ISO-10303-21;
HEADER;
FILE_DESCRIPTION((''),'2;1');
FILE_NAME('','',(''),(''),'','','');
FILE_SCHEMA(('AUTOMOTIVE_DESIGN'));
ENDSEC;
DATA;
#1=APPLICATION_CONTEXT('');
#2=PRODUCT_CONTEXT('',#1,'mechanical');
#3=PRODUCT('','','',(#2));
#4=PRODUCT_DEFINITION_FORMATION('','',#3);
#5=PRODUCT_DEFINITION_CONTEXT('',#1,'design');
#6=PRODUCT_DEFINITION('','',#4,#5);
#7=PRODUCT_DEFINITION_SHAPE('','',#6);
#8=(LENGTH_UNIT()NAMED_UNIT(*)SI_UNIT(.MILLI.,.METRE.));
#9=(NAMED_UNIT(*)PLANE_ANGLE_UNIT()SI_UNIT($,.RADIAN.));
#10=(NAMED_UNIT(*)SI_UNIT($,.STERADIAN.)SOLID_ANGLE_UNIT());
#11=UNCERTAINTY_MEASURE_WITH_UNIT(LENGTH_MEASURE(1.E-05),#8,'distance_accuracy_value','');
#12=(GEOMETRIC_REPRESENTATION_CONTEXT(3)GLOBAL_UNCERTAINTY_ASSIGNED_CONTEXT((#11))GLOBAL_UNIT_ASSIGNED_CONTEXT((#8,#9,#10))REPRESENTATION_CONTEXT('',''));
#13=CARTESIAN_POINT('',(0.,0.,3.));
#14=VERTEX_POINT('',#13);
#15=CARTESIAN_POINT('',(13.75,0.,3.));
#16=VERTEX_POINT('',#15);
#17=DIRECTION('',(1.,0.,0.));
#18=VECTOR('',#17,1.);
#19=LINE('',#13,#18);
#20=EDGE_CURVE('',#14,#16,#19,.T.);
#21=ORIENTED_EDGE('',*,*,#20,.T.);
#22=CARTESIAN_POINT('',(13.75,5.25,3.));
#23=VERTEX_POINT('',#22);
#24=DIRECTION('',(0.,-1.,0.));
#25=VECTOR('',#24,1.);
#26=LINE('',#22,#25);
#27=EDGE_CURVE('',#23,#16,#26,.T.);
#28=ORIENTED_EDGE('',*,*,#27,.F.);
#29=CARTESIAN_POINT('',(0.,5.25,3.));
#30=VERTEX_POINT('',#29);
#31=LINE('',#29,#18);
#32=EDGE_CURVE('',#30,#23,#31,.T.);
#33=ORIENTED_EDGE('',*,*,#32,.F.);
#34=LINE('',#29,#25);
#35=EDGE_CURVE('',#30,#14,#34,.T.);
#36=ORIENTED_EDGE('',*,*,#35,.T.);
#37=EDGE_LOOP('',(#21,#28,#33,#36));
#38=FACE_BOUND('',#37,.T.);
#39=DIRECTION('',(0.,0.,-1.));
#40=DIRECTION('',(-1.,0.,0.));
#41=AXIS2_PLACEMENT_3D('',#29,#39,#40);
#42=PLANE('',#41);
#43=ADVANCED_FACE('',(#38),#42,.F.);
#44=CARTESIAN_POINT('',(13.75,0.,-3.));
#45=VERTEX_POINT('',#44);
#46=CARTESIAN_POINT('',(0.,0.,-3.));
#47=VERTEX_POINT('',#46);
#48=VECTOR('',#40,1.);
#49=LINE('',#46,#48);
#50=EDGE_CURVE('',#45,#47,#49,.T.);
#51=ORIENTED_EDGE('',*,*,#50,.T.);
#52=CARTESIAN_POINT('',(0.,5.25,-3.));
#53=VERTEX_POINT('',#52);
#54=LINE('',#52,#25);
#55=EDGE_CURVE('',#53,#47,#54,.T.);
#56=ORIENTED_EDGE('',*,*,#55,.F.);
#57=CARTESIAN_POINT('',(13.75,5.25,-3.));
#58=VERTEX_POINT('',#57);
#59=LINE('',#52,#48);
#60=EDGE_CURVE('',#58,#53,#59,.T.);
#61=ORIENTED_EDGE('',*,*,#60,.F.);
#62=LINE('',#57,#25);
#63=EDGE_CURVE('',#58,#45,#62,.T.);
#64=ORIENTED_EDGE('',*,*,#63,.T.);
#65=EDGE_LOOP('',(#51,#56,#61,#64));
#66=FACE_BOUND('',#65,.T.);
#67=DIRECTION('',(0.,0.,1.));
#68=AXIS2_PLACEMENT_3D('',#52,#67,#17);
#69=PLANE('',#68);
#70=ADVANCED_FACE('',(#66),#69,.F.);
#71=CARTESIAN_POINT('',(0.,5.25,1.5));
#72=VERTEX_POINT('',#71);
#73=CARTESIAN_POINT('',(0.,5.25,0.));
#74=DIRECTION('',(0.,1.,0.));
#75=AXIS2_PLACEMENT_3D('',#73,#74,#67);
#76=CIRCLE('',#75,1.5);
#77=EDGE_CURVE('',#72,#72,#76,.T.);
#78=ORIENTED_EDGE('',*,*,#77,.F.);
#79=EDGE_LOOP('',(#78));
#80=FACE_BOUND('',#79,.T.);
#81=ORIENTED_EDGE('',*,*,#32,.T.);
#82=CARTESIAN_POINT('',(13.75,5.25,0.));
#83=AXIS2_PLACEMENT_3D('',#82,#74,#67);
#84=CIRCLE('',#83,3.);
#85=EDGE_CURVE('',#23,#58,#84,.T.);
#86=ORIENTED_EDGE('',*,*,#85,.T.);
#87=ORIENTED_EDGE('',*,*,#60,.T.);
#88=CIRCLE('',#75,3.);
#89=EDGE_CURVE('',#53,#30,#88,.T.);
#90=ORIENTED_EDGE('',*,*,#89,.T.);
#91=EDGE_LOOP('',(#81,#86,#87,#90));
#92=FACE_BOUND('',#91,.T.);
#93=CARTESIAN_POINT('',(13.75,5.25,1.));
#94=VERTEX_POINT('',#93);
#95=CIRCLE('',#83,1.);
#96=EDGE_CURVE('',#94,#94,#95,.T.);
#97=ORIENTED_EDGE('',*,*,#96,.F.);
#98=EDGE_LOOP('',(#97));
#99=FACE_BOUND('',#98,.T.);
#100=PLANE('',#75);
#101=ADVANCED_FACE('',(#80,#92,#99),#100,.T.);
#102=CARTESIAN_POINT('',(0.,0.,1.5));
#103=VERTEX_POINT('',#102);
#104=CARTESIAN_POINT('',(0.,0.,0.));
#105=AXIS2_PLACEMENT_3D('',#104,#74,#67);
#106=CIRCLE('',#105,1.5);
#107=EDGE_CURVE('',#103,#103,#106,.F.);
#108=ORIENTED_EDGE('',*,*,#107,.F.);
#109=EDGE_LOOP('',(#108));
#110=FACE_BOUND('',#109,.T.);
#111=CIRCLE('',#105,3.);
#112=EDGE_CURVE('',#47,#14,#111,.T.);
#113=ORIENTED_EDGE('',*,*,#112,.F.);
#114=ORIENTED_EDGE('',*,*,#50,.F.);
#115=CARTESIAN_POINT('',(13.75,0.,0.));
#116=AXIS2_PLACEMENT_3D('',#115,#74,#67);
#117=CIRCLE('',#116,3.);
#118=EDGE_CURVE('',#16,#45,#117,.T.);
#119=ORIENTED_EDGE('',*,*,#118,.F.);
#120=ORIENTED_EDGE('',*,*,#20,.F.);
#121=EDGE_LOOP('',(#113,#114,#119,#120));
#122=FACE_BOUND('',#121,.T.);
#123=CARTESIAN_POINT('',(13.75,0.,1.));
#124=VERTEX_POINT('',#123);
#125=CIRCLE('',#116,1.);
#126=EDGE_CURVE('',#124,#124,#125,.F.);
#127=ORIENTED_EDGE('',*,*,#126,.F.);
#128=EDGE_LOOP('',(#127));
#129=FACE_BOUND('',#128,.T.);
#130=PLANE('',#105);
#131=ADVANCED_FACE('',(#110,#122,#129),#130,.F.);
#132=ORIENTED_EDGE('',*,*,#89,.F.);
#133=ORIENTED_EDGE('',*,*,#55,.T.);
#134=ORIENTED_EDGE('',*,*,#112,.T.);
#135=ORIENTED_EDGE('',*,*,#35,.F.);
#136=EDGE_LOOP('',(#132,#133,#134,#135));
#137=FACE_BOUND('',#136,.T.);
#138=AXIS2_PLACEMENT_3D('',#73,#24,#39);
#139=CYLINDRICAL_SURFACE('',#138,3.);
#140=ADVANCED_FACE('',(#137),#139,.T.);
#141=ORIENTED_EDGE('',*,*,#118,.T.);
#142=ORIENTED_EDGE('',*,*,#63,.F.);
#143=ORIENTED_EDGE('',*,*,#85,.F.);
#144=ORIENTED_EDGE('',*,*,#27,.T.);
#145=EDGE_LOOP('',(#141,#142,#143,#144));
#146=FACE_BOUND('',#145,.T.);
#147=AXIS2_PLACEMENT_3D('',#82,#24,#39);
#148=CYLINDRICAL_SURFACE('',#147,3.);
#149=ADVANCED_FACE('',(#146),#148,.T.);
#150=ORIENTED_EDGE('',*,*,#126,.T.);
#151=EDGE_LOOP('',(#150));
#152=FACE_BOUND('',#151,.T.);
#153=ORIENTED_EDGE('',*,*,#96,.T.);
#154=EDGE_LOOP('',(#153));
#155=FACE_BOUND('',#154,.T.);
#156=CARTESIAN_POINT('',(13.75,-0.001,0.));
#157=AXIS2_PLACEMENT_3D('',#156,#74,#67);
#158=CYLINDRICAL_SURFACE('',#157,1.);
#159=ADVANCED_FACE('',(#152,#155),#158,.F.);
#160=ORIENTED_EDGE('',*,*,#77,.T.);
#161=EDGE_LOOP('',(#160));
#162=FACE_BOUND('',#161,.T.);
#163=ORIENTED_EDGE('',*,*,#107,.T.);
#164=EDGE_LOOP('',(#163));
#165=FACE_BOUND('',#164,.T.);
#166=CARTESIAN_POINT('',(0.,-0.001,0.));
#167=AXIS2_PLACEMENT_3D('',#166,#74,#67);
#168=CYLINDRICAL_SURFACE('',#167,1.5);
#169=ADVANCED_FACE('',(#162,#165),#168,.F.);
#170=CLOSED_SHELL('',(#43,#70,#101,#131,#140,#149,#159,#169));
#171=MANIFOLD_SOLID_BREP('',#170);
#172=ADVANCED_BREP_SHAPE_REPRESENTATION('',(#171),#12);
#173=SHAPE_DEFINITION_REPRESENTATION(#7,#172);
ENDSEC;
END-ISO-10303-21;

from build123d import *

# Parameters (mm, degrees)
EXTRUDE_1_DEPTH     = 5.25
CUT_EXTRUDE_1_REACH = 19.808
SKETCH_2_R          = 1.5
SKETCH_2_R_2        = 1


with BuildPart() as part:
    # 草图1 → 凸台-拉伸1 (new body)
    with BuildSketch(Plane(origin=(0, 0, 0), x_dir=(1, 0, 0), z_dir=(0, 1, 0))):
        with BuildLine():
            Line((0, 3), (13.75, 3))
            ThreePointArc((13.75, 3), (16.75, 0), (13.75, -3))
            Line((13.75, -3), (0, -3))
            ThreePointArc((0, -3), (-3, 0), (0, 3))
        make_face()
    extrude(amount=EXTRUDE_1_DEPTH)

    # 草图2 → 切除-拉伸1 (cut, up to next)
    with BuildSketch(Plane(origin=(0, 5.25, 0), x_dir=(1, 0, 0), z_dir=(0, 1, 0)), mode=Mode.PRIVATE) as cut_extrude_1_sk1:
        with Locations(Location((0, 0, 0), (0, 0, 270))):
            Circle(SKETCH_2_R)
    cut_extrude_1_tool1 = extrude(cut_extrude_1_sk1.sketch, amount=-CUT_EXTRUDE_1_REACH, mode=Mode.PRIVATE) & part.part
    # 草图2 → 切除-拉伸1 (cut, up to next)
    with BuildSketch(Plane(origin=(0, 5.25, 0), x_dir=(1, 0, 0), z_dir=(0, 1, 0)), mode=Mode.PRIVATE) as cut_extrude_1_sk2:
        with Locations(Location((13.75, 0, 0), (0, 0, 270))):
            Circle(SKETCH_2_R_2)
    cut_extrude_1_tool2 = extrude(cut_extrude_1_sk2.sketch, amount=-CUT_EXTRUDE_1_REACH, mode=Mode.PRIVATE) & part.part
    add(cut_extrude_1_tool1.solids().sort_by_distance((0, 5.25, 0))[0], mode=Mode.SUBTRACT)
    add(cut_extrude_1_tool2.solids().sort_by_distance((13.75, 5.25, 0))[0], mode=Mode.SUBTRACT)


solid = part.part
